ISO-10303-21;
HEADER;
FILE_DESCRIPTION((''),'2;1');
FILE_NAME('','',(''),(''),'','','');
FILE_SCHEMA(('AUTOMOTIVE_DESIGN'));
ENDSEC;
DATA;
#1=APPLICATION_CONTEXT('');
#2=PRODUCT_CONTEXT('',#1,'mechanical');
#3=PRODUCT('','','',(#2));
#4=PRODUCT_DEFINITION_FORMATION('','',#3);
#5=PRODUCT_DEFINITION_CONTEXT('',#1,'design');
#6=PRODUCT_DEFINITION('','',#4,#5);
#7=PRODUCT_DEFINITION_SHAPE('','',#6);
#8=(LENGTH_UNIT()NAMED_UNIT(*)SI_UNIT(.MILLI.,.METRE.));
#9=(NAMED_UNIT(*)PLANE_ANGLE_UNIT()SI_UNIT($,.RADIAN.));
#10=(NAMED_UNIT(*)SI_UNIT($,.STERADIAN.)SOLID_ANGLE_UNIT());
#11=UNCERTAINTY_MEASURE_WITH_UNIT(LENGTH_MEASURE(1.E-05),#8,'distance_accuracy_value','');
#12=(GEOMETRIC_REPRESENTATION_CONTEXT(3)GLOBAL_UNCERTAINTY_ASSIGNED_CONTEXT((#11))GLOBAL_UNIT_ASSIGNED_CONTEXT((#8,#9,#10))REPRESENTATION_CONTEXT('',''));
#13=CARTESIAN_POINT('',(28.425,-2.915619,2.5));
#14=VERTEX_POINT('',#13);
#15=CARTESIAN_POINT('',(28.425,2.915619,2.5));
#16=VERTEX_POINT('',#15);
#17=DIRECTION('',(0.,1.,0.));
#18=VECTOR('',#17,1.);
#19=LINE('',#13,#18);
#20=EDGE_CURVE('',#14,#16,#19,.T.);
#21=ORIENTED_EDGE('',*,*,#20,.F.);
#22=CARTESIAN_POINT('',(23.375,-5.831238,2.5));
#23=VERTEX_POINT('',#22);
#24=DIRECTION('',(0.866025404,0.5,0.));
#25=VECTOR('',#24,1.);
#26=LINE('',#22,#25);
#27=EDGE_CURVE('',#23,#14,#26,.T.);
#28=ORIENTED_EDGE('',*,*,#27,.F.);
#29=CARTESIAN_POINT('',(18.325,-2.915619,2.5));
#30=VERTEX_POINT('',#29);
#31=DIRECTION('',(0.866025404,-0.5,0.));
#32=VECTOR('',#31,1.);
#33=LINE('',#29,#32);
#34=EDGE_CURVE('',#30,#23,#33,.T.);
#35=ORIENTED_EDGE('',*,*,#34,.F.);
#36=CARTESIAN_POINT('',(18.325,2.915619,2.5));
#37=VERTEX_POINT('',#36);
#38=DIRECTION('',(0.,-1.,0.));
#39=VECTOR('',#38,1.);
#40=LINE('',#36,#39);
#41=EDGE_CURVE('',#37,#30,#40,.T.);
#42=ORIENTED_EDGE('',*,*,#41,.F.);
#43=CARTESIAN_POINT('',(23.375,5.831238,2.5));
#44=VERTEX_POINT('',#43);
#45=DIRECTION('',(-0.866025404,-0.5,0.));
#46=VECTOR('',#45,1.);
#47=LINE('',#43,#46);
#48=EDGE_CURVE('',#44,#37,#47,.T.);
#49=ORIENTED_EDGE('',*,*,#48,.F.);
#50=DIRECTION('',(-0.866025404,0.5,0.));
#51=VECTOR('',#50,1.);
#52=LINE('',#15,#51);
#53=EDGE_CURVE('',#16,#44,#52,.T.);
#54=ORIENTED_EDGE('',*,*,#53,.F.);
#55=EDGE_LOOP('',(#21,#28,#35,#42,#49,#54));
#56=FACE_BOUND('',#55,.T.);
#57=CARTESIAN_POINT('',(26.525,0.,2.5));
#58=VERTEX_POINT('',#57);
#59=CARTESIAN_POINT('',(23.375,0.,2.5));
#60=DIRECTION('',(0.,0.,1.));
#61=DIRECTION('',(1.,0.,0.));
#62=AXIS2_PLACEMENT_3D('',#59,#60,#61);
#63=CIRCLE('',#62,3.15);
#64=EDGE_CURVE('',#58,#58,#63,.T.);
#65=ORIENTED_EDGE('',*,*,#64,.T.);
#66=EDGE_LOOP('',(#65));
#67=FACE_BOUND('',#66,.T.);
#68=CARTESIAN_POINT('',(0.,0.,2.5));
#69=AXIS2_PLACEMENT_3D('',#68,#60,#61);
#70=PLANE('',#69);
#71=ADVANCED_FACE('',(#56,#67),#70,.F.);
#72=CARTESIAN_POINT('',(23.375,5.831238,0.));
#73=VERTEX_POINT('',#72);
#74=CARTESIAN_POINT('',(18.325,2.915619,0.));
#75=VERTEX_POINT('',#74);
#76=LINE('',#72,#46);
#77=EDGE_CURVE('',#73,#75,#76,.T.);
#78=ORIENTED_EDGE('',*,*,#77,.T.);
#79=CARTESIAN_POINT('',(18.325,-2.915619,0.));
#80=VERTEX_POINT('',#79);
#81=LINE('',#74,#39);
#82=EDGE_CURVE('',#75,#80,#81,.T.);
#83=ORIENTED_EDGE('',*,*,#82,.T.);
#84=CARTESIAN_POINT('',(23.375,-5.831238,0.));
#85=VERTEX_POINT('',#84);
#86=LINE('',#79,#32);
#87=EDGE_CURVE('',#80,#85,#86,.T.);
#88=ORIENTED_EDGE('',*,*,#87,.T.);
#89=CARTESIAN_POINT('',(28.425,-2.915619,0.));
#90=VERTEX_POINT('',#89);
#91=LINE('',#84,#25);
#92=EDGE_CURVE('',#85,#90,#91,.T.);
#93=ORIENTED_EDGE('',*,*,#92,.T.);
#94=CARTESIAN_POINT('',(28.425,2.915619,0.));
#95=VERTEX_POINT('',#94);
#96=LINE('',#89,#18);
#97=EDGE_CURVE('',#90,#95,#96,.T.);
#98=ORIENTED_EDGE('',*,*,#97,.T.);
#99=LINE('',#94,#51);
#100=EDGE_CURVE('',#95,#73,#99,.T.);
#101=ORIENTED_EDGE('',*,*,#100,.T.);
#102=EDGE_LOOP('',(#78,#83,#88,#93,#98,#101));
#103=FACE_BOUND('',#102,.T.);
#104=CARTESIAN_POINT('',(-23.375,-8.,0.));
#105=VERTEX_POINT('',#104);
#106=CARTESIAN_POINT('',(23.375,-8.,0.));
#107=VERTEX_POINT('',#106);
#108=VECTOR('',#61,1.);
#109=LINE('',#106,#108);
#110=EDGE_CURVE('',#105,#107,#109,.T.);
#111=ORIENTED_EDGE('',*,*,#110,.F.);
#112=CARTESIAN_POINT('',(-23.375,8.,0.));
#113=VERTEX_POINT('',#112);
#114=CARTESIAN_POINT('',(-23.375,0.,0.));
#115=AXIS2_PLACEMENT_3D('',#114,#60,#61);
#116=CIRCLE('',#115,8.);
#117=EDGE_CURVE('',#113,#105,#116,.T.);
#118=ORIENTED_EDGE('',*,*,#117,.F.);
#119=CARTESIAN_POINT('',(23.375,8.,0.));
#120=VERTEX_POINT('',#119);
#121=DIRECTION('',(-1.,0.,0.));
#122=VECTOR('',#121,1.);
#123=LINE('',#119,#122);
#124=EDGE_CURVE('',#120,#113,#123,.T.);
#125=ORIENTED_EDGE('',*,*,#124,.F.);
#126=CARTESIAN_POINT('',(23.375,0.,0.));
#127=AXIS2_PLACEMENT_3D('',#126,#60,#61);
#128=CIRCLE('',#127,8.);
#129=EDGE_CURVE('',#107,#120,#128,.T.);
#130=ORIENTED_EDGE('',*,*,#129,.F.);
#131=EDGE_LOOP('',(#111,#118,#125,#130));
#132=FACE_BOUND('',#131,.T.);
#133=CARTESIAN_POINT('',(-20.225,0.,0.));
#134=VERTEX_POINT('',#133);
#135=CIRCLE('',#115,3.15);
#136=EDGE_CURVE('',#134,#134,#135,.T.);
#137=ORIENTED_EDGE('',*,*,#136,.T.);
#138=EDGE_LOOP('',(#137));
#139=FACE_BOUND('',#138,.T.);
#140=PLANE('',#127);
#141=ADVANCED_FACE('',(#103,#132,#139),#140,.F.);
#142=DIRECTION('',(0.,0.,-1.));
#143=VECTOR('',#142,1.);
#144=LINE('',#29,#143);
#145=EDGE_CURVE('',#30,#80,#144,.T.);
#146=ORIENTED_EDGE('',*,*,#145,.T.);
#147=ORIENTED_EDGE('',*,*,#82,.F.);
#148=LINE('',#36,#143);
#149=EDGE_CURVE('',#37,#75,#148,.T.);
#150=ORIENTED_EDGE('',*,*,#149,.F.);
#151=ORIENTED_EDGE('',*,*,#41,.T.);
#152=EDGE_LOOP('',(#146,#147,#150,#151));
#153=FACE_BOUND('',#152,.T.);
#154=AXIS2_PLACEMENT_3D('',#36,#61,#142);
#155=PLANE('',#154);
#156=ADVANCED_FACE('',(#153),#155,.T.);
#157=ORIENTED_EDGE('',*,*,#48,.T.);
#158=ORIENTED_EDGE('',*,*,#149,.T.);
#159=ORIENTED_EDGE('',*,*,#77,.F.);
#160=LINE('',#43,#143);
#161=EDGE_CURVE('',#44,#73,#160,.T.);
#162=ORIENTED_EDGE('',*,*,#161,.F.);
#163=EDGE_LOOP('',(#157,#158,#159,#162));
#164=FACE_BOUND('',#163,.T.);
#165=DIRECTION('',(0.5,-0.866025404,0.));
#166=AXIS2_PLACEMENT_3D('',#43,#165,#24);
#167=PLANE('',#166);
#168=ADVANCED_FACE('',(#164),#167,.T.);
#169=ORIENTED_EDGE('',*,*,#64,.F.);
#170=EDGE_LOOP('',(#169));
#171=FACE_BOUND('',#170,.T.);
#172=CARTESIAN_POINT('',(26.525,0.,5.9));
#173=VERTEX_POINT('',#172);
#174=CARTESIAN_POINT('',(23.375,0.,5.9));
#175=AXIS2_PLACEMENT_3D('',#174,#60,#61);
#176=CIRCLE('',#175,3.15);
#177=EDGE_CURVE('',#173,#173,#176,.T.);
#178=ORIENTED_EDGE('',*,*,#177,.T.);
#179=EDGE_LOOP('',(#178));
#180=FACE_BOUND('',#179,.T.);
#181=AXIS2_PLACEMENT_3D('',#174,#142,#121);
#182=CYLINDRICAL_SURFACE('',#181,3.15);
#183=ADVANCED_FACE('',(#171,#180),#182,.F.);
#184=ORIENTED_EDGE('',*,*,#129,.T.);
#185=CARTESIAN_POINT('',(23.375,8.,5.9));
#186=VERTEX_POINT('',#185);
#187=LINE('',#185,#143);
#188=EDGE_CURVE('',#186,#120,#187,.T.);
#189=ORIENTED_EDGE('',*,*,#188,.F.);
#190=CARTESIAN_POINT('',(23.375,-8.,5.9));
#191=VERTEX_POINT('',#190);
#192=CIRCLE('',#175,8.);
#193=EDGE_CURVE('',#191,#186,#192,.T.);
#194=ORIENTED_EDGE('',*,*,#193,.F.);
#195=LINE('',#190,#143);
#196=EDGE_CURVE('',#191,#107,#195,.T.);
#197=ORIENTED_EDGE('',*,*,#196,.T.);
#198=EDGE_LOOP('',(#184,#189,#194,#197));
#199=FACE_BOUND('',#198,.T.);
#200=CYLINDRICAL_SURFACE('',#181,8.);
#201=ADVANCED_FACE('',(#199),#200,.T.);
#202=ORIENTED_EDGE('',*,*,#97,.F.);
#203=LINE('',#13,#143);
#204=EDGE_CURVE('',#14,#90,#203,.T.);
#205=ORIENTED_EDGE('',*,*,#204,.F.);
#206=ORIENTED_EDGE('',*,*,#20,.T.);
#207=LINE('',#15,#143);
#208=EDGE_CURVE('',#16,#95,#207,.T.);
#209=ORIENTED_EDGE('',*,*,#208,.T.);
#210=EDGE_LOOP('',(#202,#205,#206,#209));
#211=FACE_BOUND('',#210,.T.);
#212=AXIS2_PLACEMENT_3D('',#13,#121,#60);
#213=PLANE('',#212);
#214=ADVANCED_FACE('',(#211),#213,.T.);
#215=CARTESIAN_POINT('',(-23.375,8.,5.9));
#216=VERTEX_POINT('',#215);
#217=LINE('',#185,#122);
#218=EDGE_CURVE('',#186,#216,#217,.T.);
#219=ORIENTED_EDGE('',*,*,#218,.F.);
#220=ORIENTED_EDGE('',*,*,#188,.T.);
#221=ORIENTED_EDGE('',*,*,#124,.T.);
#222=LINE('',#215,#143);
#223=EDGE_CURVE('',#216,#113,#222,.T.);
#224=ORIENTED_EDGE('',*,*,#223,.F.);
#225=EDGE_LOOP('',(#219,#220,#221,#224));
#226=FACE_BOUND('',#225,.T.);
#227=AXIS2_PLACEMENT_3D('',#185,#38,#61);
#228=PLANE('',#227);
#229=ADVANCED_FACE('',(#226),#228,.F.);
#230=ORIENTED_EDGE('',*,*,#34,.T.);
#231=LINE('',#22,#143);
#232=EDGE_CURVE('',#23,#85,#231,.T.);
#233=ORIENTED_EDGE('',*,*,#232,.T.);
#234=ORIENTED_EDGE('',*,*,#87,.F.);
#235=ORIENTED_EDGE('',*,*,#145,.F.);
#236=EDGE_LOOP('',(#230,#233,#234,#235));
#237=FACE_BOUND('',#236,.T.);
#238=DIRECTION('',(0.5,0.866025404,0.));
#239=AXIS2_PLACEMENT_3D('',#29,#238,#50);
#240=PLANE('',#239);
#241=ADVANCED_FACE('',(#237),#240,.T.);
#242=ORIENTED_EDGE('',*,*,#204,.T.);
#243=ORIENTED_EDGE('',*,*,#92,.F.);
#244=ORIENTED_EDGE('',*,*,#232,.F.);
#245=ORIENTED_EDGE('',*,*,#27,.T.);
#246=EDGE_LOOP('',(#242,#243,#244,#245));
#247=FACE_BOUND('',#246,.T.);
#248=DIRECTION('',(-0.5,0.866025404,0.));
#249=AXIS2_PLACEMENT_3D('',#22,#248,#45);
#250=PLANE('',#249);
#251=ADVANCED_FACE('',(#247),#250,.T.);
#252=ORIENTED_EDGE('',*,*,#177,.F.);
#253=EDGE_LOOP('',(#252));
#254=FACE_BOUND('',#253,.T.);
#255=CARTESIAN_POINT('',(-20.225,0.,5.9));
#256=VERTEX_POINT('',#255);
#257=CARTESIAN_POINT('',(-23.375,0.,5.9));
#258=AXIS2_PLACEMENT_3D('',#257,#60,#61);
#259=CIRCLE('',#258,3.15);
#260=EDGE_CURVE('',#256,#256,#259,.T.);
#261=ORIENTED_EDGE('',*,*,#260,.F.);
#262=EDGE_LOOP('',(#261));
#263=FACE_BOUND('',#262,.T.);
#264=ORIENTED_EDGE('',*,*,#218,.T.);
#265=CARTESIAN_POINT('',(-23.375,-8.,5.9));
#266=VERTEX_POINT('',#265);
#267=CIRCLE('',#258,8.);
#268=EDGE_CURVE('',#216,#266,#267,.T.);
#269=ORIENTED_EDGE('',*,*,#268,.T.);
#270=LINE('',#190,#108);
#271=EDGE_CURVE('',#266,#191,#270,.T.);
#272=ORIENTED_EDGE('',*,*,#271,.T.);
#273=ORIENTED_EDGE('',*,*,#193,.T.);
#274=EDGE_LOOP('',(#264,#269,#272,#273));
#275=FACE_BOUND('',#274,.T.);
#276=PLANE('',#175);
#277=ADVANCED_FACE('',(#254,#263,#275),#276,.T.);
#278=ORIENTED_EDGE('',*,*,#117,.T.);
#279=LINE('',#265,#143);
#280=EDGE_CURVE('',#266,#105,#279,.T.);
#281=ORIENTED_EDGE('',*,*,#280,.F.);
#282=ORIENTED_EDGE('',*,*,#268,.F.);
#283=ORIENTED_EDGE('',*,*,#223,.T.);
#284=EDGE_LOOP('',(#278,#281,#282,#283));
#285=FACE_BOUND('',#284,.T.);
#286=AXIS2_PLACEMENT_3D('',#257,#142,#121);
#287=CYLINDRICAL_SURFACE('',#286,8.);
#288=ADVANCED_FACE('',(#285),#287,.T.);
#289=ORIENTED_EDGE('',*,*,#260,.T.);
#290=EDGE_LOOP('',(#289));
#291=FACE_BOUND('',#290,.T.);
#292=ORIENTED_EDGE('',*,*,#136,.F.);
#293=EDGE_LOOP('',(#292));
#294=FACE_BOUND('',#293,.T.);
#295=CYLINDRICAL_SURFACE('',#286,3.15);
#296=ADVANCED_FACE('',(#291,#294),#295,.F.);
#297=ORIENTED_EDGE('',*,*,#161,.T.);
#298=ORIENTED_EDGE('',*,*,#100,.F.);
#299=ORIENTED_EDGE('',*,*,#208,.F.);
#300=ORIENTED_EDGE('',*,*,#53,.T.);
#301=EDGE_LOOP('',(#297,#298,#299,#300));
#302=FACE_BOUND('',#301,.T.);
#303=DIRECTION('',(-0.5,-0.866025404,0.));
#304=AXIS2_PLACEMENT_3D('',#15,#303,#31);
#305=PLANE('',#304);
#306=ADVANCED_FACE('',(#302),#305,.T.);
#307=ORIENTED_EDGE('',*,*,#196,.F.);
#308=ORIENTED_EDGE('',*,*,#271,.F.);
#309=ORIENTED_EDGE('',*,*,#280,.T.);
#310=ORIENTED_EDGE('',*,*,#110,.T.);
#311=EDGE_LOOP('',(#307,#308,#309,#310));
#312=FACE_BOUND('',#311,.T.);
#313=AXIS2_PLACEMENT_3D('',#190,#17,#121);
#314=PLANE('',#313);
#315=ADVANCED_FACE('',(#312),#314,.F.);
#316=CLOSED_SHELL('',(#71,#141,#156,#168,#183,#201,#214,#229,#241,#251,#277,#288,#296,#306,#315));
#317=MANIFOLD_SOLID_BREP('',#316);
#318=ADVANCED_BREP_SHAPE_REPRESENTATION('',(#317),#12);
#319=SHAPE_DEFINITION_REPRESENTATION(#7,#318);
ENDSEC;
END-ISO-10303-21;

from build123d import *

# Parameters (mm, degrees)
SKETCH1_R           = 3.15
BOSS_EXTRUDE1_DEPTH = 5.9
CUT_EXTRUDE2_DEPTH  = 2.5


with BuildPart() as part:
    # Sketch1 → Boss-Extrude1 (new body)
    with BuildSketch(Plane.XY):
        with BuildLine():
            Line((23.375, -8), (-23.375, -8))
            ThreePointArc((-23.375, -8), (-31.375, 0), (-23.375, 8))
            Line((-23.375, 8), (23.375, 8))
            ThreePointArc((23.375, 8), (31.375, 0), (23.375, -8))
        make_face()
        with Locations((23.375, 0)):
            Circle(SKETCH1_R, mode=Mode.SUBTRACT)
        with Locations((-23.375, 0)):
            Circle(SKETCH1_R, mode=Mode.SUBTRACT)
    extrude(amount=BOSS_EXTRUDE1_DEPTH)

    # Sketch2 → Cut-Extrude2 (cut)
    with BuildSketch(Plane.XY):
        Polygon((23.375, 5.831237719), (18.325, 2.915618859), (18.325, -2.915618859), (23.375, -5.831237719), (28.425, -2.915618859), (28.425, 2.915618859), align=None)
    extrude(amount=CUT_EXTRUDE2_DEPTH, mode=Mode.SUBTRACT)


solid = part.part
